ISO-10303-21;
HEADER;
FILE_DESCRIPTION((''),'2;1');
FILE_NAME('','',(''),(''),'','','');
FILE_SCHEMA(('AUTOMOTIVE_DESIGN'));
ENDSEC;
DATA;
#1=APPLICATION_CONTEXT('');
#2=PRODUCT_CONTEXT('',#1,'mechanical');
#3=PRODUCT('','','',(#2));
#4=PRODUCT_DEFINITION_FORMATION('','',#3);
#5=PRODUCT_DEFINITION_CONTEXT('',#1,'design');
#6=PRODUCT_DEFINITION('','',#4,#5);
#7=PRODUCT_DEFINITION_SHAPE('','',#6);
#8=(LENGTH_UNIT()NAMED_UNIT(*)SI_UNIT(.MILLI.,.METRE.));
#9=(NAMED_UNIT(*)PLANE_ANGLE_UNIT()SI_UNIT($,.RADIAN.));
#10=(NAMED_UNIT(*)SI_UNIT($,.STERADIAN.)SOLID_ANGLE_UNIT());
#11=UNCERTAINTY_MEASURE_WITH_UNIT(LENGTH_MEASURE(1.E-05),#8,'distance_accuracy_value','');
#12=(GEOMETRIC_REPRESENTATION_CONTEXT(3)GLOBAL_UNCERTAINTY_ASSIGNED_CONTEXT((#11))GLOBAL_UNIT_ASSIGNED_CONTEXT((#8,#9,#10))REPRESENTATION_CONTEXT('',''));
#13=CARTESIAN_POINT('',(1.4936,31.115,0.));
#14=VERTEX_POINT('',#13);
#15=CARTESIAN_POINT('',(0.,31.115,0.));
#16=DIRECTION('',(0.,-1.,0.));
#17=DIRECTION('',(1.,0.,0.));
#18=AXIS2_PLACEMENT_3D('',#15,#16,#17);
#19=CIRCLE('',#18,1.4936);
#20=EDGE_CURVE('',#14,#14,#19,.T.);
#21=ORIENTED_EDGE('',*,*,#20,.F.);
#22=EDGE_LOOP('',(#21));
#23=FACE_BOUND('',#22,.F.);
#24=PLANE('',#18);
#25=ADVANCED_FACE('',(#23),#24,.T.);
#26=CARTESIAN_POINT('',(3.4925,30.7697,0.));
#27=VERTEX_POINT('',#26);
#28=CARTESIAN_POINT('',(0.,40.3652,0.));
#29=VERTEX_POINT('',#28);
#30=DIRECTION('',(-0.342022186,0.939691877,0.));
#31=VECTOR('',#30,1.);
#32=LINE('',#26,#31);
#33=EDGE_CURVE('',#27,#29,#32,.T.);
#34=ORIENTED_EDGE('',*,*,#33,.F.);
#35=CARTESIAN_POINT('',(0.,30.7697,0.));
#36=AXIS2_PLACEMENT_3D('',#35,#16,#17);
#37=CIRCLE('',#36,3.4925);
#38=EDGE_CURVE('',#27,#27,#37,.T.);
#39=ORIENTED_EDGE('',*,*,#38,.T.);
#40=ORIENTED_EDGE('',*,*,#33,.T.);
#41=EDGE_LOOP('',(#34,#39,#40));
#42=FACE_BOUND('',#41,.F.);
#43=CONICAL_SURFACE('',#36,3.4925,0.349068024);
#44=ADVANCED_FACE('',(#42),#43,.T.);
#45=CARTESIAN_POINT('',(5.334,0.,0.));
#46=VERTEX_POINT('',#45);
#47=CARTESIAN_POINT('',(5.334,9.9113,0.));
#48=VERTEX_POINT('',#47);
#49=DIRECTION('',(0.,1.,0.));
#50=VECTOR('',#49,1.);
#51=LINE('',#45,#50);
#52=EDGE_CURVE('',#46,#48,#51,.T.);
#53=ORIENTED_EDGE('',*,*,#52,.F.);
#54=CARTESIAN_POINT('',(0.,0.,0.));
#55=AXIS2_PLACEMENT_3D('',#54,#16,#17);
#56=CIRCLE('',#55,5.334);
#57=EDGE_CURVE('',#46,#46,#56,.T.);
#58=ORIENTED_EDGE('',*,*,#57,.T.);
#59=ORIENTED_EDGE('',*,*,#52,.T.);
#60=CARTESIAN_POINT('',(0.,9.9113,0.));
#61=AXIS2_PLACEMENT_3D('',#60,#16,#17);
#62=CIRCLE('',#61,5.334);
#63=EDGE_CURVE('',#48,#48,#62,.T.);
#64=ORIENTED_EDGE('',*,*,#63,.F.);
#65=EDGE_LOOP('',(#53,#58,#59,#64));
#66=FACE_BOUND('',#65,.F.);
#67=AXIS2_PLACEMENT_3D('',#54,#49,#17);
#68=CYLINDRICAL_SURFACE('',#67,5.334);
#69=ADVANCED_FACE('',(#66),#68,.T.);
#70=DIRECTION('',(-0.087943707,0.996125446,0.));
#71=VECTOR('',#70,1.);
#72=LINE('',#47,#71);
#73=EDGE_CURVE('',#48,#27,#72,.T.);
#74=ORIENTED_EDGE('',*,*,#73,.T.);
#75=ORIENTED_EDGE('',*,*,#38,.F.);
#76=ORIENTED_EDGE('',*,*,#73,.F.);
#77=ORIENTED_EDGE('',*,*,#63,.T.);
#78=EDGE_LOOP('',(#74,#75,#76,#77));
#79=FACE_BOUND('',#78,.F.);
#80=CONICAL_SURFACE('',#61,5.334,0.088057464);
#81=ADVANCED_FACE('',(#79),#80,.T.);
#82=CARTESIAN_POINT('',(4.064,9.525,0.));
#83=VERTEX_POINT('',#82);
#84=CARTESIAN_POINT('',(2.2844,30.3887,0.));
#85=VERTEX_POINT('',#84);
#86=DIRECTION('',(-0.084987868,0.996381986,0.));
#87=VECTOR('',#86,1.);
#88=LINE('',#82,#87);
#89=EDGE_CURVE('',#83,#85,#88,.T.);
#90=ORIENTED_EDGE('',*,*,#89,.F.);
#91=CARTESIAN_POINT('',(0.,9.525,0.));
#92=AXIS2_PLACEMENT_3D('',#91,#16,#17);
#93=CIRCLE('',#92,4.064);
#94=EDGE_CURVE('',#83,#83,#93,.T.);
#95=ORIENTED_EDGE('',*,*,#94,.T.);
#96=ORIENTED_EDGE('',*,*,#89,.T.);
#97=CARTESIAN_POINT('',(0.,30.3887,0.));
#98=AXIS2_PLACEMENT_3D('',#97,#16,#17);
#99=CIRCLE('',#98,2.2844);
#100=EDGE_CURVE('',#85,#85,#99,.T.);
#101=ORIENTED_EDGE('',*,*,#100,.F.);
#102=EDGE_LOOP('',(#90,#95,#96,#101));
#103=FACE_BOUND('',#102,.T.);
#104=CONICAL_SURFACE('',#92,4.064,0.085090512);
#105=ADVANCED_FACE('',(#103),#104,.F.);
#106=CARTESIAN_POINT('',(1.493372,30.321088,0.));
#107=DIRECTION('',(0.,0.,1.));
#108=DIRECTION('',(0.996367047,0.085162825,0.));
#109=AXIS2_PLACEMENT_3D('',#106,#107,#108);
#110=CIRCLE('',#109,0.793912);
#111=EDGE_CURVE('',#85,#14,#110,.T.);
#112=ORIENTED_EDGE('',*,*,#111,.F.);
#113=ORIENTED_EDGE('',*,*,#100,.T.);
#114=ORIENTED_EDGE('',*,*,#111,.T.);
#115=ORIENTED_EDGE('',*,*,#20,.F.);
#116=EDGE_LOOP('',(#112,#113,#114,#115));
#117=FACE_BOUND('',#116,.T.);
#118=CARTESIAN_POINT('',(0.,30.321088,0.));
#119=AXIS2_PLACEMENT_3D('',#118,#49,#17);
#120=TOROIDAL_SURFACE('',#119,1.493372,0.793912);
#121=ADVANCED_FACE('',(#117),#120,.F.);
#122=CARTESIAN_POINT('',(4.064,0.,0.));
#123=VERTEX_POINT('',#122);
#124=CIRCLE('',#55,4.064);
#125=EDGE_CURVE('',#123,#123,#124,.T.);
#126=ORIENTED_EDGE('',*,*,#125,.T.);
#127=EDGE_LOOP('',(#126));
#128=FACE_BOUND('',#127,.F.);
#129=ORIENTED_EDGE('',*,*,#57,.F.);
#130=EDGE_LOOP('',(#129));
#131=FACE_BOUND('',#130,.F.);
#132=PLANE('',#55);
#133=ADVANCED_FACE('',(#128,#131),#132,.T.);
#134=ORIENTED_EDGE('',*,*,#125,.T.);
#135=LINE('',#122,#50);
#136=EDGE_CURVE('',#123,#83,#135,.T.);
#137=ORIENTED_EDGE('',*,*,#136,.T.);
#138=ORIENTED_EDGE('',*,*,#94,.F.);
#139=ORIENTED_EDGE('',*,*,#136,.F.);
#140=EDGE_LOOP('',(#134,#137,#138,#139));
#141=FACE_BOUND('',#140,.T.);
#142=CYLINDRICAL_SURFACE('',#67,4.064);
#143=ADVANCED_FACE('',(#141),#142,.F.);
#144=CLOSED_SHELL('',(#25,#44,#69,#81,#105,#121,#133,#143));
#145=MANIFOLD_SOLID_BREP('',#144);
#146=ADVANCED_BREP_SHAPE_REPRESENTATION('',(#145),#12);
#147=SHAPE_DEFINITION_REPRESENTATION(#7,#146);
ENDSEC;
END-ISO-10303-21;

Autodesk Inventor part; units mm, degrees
ref_plane "YZ Plane" through (0, 0, 0) normal (1, 0, 0) x (0, 1, 0)
ref_plane "XZ Plane" through (0, 0, 0) normal (0, 1, 0) x (-1, 0, 0)
ref_plane "XY Plane" through (0, 0, 0) normal (0, 0, 1) x (1, 0, 0)
sketch "Sketch2" plane through (0, 0, 0) normal (0, 0, 1) x (1, 0, 0)
  line L0 (0, 0) -> (5.334, 0) construction
  line L1 (5.334, 0) -> (5.334, 40.3652) construction
  line L2 (5.334, 40.3652) -> (0, 40.3652) construction
  line L3 (0, 40.3652) -> (0, 0) construction
  line L4 (4.064, 0) -> (4.064, 9.525)
  line L5 (4.064, 9.525) -> (2.2844, 30.3887)
  line L6 (0, 31.115) -> (1.4936, 31.115) construction
  line L7 (0, 9.525) -> (4.064, 9.525) construction
  line L8 (5.334, 0) -> (5.334, 9.9113)
  line L9 (5.334, 9.9113) -> (3.4925, 30.7697)
  line L10 (0, 31.115) -> (2.2225, 31.115)
  line L11 (3.4925, 30.7697) -> (0, 40.3652)
  line L12 (4.064, 0) -> (5.334, 0)
  line L13 (0, 40.3652) -> (0, 31.115)
  arc A0 (2.2844, 30.3887) -> (1.4936, 31.115) centre (1.4936, 30.3212) ccw
  dimension "d6" = 5.334
  dimension "d7" = 4.064
  dimension "d8" = 21.59
  dimension "d9" = 2.2225
  dimension "d10" = 9.525
  dimension "d11" = 1.27
  dimension "d13" = 20
  dimension "d14" = 0.7937
revolve "Revolution1" add sketch "Sketch2" angle 360 about axis through (0, 40.3652, 0) along (0, -1, 0)
equation "\"d6\" = shaftRadius + arrowWallThickness"
equation "\"d7\" = shaftRadius"
equation "\"d8\" = shaftAngledLength"
equation "\"d9\" = shaftTipRadius"
equation "\"d11\" = arrowWallThickness"
equation "\"shaftTipDiameter\" = 4.445"
equation "\"shaftDiameter\" = 8.128"
equation "\"shaftAngledLength\" = 21.59"
equation "\"arrowTotalLength\" = 31.75"
equation "\"shaftTipRadius\" = 0.5 * shaftTipDiameter"
equation "\"shaftRadius\" = 0.5 * shaftDiameter"
equation "\"arrowWallThickness\" = 1.27"
properties part number "arrowForCalli"
